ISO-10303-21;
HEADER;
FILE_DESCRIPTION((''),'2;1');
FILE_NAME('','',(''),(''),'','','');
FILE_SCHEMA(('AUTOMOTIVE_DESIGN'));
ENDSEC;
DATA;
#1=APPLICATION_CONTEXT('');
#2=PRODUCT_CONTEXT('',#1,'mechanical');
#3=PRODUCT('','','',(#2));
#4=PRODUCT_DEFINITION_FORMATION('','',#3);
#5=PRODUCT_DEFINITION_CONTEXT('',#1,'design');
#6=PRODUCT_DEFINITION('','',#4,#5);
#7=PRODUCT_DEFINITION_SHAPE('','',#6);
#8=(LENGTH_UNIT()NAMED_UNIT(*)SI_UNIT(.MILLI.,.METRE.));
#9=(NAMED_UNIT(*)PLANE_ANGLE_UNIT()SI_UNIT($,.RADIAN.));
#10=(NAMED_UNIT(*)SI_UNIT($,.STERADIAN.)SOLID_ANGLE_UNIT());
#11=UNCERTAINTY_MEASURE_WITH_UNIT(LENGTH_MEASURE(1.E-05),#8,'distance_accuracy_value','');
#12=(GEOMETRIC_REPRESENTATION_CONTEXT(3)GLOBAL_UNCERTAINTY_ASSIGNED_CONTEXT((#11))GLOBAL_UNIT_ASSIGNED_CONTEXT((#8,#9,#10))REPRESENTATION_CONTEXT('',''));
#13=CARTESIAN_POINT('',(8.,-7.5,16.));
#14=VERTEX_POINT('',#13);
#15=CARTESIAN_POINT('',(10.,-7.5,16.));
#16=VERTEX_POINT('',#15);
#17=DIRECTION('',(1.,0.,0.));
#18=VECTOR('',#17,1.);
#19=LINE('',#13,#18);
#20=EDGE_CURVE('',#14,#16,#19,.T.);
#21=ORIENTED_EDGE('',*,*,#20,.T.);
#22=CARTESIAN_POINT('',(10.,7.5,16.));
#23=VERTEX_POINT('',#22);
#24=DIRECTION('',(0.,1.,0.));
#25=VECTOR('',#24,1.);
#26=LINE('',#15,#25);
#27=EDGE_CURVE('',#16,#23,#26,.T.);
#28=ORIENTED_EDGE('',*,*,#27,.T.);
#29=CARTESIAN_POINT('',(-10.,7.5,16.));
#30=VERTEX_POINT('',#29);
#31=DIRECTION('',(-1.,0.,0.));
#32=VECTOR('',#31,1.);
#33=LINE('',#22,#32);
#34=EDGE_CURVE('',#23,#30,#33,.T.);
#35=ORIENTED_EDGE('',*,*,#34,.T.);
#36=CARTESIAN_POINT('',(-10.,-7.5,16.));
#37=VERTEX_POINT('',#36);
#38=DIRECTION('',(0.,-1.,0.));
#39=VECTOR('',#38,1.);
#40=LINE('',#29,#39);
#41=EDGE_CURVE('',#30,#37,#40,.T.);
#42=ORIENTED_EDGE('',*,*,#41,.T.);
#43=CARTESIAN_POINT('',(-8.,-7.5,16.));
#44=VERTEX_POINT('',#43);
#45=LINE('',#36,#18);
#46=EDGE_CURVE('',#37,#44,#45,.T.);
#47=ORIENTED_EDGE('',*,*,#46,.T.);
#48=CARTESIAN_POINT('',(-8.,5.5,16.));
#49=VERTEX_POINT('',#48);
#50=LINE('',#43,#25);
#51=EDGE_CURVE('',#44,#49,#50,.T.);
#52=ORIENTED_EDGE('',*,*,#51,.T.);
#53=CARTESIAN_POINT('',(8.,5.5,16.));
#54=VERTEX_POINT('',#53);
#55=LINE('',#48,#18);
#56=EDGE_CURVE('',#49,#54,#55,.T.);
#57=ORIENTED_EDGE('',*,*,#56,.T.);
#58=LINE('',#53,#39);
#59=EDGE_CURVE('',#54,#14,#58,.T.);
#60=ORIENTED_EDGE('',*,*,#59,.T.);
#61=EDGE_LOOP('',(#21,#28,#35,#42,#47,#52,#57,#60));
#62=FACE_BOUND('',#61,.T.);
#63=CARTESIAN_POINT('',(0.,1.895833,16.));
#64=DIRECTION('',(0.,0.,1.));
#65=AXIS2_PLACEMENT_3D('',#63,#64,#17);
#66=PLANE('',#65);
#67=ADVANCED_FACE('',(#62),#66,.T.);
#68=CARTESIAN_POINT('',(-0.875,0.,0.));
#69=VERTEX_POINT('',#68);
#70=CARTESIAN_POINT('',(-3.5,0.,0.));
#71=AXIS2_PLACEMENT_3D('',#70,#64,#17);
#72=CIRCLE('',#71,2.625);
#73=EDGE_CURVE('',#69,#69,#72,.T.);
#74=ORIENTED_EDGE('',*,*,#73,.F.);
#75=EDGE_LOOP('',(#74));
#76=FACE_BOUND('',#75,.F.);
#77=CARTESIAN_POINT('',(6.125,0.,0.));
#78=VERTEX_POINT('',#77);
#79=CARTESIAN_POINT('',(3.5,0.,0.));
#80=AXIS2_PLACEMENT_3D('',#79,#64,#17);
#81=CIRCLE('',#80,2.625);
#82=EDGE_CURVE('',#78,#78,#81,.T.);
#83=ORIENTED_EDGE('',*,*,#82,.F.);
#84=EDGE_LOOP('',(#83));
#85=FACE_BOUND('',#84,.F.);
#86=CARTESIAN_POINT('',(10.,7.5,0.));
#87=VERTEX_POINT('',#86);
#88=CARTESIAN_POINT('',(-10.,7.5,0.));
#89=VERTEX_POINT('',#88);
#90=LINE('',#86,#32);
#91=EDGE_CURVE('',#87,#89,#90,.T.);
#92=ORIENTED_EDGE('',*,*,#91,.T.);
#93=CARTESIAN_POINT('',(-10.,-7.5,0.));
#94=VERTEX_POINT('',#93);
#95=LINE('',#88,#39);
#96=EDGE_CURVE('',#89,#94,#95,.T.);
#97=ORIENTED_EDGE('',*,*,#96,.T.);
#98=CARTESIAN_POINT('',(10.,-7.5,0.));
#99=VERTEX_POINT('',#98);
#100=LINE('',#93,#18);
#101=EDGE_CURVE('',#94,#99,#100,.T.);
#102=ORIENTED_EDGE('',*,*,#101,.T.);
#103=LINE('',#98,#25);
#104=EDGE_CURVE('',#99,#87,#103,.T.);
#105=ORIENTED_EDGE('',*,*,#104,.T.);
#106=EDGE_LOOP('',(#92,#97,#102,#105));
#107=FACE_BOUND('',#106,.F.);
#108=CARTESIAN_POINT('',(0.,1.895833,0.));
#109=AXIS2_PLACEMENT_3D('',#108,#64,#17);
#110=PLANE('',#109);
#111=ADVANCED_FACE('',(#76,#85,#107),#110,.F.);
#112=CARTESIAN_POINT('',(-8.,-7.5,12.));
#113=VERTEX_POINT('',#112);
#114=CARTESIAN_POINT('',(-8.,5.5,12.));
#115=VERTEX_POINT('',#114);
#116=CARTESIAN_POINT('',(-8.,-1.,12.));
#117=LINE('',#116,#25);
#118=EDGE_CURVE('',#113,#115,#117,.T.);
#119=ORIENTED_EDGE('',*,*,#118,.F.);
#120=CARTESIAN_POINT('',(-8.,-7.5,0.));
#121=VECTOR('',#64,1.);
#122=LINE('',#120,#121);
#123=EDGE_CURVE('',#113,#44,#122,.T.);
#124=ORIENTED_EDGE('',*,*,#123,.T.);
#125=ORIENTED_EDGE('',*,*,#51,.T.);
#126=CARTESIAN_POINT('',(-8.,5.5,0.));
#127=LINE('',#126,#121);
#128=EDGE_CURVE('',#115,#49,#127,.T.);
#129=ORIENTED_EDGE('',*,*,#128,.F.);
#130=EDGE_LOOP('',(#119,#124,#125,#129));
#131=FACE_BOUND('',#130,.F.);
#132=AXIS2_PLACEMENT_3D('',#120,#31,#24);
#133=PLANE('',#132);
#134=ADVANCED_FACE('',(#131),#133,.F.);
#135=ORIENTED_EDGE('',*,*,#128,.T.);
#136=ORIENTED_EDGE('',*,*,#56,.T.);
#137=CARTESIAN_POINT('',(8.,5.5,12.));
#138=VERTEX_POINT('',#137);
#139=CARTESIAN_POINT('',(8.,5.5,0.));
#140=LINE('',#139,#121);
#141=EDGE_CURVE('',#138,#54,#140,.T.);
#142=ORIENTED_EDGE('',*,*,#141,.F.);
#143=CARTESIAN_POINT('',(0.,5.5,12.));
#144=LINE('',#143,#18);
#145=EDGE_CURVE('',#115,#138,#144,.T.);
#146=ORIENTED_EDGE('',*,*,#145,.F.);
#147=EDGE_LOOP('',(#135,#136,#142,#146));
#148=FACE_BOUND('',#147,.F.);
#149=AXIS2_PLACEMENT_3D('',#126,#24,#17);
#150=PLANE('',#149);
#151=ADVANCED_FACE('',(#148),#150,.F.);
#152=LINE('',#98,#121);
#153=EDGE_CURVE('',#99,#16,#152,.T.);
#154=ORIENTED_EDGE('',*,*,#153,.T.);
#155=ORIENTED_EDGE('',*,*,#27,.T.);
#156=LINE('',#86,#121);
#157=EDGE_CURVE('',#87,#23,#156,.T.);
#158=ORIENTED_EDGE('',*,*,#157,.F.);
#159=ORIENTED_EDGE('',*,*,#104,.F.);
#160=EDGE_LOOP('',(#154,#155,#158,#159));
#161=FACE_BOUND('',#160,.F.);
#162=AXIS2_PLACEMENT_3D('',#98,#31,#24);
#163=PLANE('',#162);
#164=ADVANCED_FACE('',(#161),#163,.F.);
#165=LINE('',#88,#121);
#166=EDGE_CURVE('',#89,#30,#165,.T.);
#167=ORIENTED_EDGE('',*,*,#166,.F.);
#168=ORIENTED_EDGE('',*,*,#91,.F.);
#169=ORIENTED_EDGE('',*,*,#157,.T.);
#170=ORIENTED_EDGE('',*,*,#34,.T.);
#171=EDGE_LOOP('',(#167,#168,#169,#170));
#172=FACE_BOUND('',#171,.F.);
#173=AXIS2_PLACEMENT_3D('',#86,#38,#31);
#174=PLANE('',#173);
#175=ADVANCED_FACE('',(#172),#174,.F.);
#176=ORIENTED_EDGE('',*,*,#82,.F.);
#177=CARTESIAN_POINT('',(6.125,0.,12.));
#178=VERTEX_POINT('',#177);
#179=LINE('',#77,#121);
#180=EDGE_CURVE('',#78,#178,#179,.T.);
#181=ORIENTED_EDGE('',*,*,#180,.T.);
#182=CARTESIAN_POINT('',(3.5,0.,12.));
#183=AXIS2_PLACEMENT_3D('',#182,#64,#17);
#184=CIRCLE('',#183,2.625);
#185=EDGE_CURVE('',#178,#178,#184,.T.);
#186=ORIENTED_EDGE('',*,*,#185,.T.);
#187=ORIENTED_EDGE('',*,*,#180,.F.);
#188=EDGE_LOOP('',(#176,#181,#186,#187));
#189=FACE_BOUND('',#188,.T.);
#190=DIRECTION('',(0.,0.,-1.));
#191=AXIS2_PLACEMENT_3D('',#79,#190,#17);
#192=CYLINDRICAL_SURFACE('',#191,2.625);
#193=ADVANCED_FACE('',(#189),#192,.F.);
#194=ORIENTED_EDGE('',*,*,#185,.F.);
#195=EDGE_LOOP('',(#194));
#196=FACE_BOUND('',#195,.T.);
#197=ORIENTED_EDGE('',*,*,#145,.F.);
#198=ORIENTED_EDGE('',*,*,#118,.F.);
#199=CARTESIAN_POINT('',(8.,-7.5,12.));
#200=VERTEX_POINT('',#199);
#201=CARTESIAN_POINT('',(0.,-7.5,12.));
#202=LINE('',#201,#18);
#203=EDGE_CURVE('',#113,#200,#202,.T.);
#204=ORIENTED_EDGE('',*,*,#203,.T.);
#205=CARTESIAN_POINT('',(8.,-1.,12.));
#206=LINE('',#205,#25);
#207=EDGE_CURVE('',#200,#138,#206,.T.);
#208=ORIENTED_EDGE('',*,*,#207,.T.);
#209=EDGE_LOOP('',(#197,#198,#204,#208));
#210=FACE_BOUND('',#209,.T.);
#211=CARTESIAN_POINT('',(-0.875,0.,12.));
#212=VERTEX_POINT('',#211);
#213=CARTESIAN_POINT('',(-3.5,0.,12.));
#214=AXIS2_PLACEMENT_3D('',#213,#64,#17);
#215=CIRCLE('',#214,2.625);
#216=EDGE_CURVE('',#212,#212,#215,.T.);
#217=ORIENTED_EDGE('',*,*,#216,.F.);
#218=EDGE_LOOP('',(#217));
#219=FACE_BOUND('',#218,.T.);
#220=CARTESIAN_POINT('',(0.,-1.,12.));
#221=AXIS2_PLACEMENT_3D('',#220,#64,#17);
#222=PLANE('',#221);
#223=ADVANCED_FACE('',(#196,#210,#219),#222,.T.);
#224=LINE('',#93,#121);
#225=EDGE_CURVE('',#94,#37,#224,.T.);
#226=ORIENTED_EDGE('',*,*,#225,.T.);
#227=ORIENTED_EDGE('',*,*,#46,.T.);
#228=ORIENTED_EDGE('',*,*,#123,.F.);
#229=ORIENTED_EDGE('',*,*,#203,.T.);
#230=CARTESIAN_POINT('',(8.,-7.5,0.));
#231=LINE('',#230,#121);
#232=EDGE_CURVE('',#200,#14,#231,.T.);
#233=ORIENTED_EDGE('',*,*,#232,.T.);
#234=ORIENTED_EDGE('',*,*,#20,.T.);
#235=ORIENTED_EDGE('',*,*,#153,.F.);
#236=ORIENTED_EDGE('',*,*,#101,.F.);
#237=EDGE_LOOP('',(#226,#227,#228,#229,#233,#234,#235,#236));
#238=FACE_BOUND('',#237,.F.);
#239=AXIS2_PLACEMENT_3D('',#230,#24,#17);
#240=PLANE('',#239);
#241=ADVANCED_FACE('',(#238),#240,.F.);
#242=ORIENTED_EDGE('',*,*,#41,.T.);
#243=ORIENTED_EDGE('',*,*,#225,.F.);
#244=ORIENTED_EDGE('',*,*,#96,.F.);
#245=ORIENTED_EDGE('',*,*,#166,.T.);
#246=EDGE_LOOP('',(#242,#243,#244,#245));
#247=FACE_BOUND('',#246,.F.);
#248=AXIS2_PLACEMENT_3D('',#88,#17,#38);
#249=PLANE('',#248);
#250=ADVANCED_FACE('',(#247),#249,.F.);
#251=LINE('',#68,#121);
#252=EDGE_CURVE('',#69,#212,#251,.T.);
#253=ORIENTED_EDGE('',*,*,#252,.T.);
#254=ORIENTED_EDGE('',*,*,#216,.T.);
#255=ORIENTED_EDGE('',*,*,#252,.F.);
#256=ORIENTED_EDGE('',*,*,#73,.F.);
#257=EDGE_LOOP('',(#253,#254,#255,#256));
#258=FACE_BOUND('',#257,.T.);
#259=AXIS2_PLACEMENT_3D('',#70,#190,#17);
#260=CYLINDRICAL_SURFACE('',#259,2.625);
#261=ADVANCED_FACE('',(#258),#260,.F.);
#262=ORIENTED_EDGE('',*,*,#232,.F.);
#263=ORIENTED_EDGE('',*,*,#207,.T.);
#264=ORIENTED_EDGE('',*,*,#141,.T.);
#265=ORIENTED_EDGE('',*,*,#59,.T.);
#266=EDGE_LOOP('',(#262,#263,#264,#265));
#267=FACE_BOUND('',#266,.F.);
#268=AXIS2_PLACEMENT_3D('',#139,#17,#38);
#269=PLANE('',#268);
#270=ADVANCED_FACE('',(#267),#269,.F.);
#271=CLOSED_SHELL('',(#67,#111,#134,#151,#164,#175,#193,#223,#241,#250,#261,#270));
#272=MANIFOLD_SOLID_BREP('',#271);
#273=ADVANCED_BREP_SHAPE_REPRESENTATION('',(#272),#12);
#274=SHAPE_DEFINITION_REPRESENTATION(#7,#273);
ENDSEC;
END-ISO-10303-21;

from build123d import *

# Parameters (mm, degrees)
F0_W     = 16
F0_H     = 13
F0_R     = 2.625
F1_DEPTH = 12
F2_DEPTH = 16


with BuildPart() as f1:
    # F0 (on Top) → F1 (new body)
    with BuildSketch(Plane.XY):
        with Locations((0, -1)):
            Rectangle(F0_W, F0_H)
        with Locations((-3.5, 0)):
            Circle(F0_R, mode=Mode.SUBTRACT)
        with Locations((3.5, 0)):
            Circle(F0_R, mode=Mode.SUBTRACT)
    extrude(amount=F1_DEPTH)

    # F0 (on Top) → F2 (join)
    with BuildSketch(Plane.XY):
        Polygon((8, -7.5), (10, -7.5), (10, 7.5), (-10, 7.5), (-10, -7.5), (-8, -7.5), (-8, 5.5), (8, 5.5), align=None)
    extrude(amount=F2_DEPTH)


solid = f1.part
